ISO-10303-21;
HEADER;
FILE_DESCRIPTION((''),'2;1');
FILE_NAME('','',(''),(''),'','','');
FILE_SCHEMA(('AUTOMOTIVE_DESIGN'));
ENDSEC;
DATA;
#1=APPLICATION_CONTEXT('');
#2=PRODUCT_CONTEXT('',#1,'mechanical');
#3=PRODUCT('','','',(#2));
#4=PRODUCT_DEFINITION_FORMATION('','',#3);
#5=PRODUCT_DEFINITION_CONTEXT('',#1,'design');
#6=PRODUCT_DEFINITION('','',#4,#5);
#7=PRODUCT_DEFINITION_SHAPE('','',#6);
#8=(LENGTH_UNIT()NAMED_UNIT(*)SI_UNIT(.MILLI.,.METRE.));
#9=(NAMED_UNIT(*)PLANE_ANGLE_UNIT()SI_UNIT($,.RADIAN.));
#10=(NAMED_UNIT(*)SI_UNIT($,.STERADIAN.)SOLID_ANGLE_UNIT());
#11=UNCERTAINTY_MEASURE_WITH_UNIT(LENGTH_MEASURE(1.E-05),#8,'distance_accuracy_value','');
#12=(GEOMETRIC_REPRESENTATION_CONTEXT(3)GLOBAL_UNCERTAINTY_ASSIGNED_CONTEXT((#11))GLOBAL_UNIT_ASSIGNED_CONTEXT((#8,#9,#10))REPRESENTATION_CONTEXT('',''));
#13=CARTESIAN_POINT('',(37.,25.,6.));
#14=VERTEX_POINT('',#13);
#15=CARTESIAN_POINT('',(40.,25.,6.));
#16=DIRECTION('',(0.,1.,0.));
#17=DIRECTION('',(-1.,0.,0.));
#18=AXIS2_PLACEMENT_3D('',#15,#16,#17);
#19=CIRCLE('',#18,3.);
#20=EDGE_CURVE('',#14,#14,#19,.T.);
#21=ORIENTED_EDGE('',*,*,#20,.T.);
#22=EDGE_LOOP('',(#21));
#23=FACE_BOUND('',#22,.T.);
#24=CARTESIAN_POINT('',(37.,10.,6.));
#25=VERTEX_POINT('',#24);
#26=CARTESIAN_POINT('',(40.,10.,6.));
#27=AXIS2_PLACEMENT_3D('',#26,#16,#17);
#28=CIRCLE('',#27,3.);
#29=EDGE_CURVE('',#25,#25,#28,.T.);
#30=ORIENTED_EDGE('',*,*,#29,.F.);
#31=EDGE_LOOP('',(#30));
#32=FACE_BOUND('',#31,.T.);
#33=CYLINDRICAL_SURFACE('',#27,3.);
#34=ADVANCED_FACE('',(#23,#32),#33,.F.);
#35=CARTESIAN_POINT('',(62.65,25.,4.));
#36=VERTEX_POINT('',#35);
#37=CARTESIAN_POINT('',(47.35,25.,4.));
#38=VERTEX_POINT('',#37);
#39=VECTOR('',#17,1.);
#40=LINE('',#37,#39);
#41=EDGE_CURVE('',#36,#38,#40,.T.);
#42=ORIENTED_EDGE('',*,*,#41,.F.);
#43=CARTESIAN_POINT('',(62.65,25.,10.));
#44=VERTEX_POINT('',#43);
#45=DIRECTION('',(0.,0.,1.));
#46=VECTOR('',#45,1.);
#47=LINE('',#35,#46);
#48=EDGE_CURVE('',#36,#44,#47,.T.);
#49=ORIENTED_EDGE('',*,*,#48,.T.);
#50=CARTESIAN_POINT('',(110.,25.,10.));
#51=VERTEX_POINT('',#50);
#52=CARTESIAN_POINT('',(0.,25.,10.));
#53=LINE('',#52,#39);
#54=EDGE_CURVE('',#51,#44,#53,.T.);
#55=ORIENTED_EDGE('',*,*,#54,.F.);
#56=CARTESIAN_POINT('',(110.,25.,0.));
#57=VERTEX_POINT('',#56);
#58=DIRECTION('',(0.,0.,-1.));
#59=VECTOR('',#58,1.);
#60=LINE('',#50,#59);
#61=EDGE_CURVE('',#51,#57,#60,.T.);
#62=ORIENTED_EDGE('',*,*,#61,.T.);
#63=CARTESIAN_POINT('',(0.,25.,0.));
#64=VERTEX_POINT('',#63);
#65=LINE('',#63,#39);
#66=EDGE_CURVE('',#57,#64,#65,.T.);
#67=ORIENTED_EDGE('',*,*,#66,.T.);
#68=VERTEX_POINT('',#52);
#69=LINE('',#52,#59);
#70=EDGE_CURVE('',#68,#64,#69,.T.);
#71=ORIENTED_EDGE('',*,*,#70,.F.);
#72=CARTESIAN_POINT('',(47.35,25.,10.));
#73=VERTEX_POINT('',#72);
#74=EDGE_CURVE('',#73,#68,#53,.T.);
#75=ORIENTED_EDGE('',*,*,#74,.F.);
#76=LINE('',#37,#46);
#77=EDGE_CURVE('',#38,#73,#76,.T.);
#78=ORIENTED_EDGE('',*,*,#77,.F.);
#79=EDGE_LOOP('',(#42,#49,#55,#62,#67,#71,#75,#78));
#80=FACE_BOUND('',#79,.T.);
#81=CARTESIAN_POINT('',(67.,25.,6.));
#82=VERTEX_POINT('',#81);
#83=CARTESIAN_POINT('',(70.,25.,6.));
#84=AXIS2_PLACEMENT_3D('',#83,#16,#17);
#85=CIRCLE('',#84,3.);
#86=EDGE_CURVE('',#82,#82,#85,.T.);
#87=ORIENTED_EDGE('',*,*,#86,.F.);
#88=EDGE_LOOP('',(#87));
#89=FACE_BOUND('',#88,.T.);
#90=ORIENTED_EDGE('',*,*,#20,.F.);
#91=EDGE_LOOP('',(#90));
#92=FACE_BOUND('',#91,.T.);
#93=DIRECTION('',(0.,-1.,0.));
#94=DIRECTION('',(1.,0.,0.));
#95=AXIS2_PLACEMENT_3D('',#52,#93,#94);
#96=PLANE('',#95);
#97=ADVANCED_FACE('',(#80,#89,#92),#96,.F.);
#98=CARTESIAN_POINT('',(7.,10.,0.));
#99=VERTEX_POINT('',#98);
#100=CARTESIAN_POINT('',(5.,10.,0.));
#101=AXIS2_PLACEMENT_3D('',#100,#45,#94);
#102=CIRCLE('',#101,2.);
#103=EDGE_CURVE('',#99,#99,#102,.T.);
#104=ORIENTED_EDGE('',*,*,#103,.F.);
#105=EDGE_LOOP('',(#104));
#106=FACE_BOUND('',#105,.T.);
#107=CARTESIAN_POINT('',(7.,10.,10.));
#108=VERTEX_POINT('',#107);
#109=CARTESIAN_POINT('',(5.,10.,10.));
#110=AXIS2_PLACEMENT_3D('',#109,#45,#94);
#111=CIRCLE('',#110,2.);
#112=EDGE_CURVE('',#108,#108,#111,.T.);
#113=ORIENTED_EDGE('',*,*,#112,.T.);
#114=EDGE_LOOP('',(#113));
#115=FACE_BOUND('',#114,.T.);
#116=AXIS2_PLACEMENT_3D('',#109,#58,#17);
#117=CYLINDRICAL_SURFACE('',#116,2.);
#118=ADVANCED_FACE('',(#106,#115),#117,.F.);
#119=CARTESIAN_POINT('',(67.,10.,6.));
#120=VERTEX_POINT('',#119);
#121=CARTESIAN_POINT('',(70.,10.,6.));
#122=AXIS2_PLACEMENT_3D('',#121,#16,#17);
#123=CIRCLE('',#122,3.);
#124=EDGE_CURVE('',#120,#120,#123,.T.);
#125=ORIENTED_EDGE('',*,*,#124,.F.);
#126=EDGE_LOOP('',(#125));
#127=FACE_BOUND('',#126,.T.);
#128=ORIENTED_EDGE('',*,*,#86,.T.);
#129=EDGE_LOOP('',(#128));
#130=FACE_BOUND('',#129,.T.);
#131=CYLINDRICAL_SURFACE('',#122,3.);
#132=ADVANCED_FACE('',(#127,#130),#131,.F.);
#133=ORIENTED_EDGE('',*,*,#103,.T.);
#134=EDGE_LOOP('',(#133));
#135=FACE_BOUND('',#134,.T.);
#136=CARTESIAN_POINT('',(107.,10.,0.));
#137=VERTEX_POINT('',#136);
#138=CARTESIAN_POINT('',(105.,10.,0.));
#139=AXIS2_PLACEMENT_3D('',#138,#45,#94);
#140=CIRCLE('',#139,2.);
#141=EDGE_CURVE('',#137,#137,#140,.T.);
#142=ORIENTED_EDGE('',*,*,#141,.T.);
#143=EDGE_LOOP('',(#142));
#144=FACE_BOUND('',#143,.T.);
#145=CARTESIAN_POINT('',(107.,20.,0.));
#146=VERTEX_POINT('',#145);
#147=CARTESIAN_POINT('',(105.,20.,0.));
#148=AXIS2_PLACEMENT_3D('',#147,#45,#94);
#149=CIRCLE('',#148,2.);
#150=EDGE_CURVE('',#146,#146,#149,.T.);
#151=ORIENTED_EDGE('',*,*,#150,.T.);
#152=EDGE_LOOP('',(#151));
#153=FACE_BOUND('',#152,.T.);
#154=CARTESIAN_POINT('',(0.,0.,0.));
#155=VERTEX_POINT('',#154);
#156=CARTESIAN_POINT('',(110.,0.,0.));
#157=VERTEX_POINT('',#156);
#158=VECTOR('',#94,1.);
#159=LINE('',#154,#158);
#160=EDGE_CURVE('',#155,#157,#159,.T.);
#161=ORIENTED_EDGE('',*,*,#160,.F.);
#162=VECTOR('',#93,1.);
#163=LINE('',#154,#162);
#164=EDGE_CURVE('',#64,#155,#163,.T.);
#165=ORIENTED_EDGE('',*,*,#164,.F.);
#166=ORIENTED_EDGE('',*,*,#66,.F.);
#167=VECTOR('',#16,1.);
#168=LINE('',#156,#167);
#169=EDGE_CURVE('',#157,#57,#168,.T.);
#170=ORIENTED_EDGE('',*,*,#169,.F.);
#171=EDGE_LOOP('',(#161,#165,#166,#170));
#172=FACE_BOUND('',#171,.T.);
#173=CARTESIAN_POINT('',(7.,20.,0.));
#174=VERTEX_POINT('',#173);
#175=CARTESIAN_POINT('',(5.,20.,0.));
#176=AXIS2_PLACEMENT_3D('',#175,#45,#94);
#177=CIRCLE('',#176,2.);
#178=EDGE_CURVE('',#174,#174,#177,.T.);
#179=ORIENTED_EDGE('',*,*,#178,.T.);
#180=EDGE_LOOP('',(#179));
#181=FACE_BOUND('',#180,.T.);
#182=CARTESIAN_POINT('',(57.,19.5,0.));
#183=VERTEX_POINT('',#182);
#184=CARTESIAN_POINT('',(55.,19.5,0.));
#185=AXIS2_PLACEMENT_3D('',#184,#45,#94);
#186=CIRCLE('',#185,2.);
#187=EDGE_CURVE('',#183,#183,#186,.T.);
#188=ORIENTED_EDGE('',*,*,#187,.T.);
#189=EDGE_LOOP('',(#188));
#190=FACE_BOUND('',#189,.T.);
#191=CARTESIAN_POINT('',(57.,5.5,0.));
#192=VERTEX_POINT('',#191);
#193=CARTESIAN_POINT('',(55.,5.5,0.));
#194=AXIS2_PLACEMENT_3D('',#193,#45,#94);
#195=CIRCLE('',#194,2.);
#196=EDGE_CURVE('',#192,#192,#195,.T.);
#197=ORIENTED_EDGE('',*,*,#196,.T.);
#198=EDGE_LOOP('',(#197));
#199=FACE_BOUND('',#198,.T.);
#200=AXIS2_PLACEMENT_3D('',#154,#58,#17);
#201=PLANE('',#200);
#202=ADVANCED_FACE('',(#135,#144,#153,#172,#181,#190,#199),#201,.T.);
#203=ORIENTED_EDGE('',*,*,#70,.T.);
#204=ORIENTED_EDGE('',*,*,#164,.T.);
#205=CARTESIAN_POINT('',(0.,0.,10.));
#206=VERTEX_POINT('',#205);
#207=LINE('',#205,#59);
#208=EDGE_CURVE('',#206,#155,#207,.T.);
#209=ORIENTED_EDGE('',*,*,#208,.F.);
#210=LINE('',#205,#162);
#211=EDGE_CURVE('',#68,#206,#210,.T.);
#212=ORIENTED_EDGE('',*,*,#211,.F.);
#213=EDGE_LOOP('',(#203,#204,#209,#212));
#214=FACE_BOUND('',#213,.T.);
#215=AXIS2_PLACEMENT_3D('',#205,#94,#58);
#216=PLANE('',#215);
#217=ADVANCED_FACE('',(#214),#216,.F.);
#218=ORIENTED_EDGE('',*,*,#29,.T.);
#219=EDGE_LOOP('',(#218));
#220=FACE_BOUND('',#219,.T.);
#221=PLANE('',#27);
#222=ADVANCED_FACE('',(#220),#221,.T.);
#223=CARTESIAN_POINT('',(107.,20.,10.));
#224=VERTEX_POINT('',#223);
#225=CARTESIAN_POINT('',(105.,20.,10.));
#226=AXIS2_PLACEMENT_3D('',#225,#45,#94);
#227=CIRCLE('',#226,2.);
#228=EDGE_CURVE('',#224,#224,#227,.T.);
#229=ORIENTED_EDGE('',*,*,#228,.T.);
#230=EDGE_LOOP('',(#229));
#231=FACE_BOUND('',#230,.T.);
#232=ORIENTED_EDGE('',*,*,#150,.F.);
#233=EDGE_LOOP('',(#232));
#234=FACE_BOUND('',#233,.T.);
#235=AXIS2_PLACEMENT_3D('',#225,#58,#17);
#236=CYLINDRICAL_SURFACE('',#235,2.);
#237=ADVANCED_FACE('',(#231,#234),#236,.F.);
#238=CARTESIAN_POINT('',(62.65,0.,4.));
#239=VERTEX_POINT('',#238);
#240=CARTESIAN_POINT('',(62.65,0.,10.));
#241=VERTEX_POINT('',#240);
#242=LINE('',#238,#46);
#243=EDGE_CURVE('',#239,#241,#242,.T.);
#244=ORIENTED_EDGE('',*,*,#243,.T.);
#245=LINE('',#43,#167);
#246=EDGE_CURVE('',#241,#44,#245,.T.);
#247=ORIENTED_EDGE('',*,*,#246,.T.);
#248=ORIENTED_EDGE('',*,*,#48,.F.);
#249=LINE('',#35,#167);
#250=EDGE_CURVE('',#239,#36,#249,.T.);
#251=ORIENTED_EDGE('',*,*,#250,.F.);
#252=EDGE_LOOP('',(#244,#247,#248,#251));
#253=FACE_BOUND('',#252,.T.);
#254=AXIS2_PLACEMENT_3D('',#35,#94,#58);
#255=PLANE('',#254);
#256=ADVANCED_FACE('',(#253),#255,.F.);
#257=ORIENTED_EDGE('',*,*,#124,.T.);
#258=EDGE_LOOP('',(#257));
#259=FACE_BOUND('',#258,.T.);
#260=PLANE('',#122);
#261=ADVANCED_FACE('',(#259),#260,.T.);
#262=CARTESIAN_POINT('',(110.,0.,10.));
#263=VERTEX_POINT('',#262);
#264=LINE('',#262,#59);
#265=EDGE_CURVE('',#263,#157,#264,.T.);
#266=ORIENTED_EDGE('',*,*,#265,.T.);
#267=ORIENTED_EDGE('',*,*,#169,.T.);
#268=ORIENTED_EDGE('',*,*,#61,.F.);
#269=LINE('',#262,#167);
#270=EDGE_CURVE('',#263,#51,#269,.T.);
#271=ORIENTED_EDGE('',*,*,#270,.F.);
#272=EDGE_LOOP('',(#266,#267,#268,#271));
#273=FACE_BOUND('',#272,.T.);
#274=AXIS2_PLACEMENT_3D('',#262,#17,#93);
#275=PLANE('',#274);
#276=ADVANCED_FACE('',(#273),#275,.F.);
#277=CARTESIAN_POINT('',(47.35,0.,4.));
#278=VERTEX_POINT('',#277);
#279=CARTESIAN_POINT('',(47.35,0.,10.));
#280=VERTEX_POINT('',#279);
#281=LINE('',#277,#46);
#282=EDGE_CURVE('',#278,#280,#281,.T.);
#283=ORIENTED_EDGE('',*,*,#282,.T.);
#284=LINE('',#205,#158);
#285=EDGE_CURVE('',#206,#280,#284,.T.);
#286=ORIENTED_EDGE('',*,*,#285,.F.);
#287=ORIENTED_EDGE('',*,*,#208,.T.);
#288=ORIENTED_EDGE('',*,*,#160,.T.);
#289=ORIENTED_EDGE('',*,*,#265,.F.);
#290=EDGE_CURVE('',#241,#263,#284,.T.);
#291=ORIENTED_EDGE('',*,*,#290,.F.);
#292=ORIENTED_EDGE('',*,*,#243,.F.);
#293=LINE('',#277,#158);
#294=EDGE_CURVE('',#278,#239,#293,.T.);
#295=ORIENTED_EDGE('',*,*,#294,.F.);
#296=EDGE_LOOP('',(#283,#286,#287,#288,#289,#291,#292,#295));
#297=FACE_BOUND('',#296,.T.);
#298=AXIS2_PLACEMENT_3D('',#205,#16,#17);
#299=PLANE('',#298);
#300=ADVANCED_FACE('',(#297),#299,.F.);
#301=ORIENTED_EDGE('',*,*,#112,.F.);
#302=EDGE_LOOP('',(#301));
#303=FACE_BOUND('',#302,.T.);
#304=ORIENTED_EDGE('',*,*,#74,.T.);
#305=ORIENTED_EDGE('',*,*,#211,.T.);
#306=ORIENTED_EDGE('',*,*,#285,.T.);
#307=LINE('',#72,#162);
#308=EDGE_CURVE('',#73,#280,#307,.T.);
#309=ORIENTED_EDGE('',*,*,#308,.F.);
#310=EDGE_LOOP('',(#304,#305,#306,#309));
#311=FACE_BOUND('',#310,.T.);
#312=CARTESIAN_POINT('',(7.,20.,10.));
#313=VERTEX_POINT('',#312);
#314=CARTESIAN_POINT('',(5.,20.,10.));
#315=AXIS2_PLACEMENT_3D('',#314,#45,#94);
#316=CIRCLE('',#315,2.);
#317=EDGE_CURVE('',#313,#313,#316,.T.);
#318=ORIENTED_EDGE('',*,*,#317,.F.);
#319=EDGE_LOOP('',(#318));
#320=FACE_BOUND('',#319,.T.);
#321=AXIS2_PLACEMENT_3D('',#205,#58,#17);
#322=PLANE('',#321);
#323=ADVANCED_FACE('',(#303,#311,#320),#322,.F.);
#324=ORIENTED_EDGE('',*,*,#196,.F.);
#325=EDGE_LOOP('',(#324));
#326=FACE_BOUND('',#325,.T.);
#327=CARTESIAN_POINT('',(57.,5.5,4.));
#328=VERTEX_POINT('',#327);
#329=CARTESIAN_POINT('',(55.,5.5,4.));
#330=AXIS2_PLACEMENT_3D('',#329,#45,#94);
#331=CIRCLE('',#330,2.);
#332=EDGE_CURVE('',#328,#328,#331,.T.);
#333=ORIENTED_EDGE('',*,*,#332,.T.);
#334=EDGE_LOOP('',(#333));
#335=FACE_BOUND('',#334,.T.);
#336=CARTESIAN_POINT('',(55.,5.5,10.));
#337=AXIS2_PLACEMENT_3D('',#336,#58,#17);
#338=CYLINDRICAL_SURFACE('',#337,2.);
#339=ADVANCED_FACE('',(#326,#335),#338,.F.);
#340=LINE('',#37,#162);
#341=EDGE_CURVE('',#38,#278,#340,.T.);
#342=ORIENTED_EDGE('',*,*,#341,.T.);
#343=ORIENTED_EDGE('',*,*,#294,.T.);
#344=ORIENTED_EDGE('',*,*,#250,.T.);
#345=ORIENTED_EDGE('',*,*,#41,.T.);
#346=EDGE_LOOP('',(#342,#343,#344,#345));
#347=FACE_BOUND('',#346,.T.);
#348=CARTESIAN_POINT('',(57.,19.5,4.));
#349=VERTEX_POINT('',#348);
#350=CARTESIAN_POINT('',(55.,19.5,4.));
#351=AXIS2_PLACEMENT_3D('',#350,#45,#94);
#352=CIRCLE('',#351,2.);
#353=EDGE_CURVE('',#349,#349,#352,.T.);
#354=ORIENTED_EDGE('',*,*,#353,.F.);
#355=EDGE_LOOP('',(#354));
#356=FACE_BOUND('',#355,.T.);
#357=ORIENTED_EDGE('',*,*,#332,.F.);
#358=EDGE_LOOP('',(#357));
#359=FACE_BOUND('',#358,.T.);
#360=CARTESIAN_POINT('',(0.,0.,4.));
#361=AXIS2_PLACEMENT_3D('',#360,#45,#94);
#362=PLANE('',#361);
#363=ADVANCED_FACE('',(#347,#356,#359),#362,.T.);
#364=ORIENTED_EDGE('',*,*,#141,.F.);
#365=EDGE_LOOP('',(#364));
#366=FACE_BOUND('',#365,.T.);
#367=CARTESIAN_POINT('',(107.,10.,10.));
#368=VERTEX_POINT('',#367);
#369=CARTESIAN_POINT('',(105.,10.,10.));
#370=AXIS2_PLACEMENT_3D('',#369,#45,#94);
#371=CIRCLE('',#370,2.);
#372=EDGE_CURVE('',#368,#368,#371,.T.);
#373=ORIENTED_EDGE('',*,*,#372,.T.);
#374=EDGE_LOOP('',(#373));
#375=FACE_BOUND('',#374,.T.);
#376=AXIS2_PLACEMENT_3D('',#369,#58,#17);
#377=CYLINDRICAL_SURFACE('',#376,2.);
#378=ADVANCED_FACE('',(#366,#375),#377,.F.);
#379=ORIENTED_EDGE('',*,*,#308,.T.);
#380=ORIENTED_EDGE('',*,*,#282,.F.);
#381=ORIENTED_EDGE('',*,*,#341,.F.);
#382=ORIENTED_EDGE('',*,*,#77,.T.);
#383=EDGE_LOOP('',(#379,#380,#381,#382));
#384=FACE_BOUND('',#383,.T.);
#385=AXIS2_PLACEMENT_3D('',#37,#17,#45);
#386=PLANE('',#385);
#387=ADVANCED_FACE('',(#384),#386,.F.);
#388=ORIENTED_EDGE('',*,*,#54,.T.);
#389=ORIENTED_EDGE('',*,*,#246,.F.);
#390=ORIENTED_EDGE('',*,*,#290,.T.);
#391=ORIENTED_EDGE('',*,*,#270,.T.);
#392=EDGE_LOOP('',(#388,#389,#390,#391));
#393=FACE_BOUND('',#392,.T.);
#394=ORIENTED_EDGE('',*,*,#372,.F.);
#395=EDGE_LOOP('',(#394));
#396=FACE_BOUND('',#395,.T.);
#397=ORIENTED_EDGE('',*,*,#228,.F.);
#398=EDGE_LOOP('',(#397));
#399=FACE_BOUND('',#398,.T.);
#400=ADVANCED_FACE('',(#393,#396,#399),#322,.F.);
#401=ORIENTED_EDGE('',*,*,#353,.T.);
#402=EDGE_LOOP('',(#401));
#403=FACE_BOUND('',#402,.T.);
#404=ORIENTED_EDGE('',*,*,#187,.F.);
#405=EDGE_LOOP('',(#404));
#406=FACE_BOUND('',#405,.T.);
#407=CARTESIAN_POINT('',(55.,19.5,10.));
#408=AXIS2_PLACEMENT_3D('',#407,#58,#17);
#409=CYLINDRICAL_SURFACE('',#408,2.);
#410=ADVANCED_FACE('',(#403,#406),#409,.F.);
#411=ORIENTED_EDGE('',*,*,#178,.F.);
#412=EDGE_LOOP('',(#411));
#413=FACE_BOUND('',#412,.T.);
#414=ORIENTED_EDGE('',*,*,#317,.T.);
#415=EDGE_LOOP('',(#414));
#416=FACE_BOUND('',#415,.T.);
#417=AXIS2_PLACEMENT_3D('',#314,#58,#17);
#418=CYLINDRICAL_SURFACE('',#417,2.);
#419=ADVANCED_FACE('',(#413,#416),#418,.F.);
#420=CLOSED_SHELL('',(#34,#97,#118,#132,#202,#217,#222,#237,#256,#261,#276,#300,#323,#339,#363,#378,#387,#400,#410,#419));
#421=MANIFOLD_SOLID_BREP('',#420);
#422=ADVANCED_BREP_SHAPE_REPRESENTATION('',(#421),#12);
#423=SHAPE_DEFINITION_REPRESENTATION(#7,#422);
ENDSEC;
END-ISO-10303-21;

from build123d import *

# Parameters (mm, degrees)
ESQUISSE1_W             = 110
ESQUISSE1_H             = 25
ESQUISSE1_R             = 2
BOSS_EXTRU_1_DEPTH      = 10
ESQUISSE2_W             = 15.3
ESQUISSE2_H             = 25
ENL_V_MAT_EXTRU_1_DEPTH = 6
ESQUISSE3_R             = 3
ENL_V_MAT_EXTRU_2_DEPTH = 15


with BuildPart() as part:
    # Esquisse1 → Boss.-Extru.1 (new body)
    with BuildSketch(Plane.XY):
        with Locations((55, 12.5)):
            Rectangle(ESQUISSE1_W, ESQUISSE1_H)
        with Locations((5, 20)):
            Circle(ESQUISSE1_R, mode=Mode.SUBTRACT)
        with Locations((5, 10)):
            Circle(ESQUISSE1_R, mode=Mode.SUBTRACT)
        with Locations((105, 20)):
            Circle(ESQUISSE1_R, mode=Mode.SUBTRACT)
        with Locations((105, 10)):
            Circle(ESQUISSE1_R, mode=Mode.SUBTRACT)
        with Locations((55, 19.5)):
            Circle(ESQUISSE1_R, mode=Mode.SUBTRACT)
        with Locations((55, 5.5)):
            Circle(ESQUISSE1_R, mode=Mode.SUBTRACT)
    extrude(amount=BOSS_EXTRU_1_DEPTH)

    # Esquisse2 → Enlèv. mat.-Extru.1 (cut)
    with BuildSketch(Plane.XY.offset(10)):
        with Locations((55, 12.5)):
            Rectangle(ESQUISSE2_W, ESQUISSE2_H)
    extrude(amount=-ENL_V_MAT_EXTRU_1_DEPTH, mode=Mode.SUBTRACT)

    # Esquisse3 → Enlèv. mat.-Extru.2 (cut)
    with BuildSketch(Plane(origin=(0, 25, 0), x_dir=(1, 0, 0), z_dir=(0, 1, 0))):
        with Locations(Location((70, -6, 0), (0, 0, 180))):
            Circle(ESQUISSE3_R)
        with Locations(Location((40, -6, 0), (0, 0, 180))):
            Circle(ESQUISSE3_R)
    extrude(amount=-ENL_V_MAT_EXTRU_2_DEPTH, mode=Mode.SUBTRACT)


solid = part.part
